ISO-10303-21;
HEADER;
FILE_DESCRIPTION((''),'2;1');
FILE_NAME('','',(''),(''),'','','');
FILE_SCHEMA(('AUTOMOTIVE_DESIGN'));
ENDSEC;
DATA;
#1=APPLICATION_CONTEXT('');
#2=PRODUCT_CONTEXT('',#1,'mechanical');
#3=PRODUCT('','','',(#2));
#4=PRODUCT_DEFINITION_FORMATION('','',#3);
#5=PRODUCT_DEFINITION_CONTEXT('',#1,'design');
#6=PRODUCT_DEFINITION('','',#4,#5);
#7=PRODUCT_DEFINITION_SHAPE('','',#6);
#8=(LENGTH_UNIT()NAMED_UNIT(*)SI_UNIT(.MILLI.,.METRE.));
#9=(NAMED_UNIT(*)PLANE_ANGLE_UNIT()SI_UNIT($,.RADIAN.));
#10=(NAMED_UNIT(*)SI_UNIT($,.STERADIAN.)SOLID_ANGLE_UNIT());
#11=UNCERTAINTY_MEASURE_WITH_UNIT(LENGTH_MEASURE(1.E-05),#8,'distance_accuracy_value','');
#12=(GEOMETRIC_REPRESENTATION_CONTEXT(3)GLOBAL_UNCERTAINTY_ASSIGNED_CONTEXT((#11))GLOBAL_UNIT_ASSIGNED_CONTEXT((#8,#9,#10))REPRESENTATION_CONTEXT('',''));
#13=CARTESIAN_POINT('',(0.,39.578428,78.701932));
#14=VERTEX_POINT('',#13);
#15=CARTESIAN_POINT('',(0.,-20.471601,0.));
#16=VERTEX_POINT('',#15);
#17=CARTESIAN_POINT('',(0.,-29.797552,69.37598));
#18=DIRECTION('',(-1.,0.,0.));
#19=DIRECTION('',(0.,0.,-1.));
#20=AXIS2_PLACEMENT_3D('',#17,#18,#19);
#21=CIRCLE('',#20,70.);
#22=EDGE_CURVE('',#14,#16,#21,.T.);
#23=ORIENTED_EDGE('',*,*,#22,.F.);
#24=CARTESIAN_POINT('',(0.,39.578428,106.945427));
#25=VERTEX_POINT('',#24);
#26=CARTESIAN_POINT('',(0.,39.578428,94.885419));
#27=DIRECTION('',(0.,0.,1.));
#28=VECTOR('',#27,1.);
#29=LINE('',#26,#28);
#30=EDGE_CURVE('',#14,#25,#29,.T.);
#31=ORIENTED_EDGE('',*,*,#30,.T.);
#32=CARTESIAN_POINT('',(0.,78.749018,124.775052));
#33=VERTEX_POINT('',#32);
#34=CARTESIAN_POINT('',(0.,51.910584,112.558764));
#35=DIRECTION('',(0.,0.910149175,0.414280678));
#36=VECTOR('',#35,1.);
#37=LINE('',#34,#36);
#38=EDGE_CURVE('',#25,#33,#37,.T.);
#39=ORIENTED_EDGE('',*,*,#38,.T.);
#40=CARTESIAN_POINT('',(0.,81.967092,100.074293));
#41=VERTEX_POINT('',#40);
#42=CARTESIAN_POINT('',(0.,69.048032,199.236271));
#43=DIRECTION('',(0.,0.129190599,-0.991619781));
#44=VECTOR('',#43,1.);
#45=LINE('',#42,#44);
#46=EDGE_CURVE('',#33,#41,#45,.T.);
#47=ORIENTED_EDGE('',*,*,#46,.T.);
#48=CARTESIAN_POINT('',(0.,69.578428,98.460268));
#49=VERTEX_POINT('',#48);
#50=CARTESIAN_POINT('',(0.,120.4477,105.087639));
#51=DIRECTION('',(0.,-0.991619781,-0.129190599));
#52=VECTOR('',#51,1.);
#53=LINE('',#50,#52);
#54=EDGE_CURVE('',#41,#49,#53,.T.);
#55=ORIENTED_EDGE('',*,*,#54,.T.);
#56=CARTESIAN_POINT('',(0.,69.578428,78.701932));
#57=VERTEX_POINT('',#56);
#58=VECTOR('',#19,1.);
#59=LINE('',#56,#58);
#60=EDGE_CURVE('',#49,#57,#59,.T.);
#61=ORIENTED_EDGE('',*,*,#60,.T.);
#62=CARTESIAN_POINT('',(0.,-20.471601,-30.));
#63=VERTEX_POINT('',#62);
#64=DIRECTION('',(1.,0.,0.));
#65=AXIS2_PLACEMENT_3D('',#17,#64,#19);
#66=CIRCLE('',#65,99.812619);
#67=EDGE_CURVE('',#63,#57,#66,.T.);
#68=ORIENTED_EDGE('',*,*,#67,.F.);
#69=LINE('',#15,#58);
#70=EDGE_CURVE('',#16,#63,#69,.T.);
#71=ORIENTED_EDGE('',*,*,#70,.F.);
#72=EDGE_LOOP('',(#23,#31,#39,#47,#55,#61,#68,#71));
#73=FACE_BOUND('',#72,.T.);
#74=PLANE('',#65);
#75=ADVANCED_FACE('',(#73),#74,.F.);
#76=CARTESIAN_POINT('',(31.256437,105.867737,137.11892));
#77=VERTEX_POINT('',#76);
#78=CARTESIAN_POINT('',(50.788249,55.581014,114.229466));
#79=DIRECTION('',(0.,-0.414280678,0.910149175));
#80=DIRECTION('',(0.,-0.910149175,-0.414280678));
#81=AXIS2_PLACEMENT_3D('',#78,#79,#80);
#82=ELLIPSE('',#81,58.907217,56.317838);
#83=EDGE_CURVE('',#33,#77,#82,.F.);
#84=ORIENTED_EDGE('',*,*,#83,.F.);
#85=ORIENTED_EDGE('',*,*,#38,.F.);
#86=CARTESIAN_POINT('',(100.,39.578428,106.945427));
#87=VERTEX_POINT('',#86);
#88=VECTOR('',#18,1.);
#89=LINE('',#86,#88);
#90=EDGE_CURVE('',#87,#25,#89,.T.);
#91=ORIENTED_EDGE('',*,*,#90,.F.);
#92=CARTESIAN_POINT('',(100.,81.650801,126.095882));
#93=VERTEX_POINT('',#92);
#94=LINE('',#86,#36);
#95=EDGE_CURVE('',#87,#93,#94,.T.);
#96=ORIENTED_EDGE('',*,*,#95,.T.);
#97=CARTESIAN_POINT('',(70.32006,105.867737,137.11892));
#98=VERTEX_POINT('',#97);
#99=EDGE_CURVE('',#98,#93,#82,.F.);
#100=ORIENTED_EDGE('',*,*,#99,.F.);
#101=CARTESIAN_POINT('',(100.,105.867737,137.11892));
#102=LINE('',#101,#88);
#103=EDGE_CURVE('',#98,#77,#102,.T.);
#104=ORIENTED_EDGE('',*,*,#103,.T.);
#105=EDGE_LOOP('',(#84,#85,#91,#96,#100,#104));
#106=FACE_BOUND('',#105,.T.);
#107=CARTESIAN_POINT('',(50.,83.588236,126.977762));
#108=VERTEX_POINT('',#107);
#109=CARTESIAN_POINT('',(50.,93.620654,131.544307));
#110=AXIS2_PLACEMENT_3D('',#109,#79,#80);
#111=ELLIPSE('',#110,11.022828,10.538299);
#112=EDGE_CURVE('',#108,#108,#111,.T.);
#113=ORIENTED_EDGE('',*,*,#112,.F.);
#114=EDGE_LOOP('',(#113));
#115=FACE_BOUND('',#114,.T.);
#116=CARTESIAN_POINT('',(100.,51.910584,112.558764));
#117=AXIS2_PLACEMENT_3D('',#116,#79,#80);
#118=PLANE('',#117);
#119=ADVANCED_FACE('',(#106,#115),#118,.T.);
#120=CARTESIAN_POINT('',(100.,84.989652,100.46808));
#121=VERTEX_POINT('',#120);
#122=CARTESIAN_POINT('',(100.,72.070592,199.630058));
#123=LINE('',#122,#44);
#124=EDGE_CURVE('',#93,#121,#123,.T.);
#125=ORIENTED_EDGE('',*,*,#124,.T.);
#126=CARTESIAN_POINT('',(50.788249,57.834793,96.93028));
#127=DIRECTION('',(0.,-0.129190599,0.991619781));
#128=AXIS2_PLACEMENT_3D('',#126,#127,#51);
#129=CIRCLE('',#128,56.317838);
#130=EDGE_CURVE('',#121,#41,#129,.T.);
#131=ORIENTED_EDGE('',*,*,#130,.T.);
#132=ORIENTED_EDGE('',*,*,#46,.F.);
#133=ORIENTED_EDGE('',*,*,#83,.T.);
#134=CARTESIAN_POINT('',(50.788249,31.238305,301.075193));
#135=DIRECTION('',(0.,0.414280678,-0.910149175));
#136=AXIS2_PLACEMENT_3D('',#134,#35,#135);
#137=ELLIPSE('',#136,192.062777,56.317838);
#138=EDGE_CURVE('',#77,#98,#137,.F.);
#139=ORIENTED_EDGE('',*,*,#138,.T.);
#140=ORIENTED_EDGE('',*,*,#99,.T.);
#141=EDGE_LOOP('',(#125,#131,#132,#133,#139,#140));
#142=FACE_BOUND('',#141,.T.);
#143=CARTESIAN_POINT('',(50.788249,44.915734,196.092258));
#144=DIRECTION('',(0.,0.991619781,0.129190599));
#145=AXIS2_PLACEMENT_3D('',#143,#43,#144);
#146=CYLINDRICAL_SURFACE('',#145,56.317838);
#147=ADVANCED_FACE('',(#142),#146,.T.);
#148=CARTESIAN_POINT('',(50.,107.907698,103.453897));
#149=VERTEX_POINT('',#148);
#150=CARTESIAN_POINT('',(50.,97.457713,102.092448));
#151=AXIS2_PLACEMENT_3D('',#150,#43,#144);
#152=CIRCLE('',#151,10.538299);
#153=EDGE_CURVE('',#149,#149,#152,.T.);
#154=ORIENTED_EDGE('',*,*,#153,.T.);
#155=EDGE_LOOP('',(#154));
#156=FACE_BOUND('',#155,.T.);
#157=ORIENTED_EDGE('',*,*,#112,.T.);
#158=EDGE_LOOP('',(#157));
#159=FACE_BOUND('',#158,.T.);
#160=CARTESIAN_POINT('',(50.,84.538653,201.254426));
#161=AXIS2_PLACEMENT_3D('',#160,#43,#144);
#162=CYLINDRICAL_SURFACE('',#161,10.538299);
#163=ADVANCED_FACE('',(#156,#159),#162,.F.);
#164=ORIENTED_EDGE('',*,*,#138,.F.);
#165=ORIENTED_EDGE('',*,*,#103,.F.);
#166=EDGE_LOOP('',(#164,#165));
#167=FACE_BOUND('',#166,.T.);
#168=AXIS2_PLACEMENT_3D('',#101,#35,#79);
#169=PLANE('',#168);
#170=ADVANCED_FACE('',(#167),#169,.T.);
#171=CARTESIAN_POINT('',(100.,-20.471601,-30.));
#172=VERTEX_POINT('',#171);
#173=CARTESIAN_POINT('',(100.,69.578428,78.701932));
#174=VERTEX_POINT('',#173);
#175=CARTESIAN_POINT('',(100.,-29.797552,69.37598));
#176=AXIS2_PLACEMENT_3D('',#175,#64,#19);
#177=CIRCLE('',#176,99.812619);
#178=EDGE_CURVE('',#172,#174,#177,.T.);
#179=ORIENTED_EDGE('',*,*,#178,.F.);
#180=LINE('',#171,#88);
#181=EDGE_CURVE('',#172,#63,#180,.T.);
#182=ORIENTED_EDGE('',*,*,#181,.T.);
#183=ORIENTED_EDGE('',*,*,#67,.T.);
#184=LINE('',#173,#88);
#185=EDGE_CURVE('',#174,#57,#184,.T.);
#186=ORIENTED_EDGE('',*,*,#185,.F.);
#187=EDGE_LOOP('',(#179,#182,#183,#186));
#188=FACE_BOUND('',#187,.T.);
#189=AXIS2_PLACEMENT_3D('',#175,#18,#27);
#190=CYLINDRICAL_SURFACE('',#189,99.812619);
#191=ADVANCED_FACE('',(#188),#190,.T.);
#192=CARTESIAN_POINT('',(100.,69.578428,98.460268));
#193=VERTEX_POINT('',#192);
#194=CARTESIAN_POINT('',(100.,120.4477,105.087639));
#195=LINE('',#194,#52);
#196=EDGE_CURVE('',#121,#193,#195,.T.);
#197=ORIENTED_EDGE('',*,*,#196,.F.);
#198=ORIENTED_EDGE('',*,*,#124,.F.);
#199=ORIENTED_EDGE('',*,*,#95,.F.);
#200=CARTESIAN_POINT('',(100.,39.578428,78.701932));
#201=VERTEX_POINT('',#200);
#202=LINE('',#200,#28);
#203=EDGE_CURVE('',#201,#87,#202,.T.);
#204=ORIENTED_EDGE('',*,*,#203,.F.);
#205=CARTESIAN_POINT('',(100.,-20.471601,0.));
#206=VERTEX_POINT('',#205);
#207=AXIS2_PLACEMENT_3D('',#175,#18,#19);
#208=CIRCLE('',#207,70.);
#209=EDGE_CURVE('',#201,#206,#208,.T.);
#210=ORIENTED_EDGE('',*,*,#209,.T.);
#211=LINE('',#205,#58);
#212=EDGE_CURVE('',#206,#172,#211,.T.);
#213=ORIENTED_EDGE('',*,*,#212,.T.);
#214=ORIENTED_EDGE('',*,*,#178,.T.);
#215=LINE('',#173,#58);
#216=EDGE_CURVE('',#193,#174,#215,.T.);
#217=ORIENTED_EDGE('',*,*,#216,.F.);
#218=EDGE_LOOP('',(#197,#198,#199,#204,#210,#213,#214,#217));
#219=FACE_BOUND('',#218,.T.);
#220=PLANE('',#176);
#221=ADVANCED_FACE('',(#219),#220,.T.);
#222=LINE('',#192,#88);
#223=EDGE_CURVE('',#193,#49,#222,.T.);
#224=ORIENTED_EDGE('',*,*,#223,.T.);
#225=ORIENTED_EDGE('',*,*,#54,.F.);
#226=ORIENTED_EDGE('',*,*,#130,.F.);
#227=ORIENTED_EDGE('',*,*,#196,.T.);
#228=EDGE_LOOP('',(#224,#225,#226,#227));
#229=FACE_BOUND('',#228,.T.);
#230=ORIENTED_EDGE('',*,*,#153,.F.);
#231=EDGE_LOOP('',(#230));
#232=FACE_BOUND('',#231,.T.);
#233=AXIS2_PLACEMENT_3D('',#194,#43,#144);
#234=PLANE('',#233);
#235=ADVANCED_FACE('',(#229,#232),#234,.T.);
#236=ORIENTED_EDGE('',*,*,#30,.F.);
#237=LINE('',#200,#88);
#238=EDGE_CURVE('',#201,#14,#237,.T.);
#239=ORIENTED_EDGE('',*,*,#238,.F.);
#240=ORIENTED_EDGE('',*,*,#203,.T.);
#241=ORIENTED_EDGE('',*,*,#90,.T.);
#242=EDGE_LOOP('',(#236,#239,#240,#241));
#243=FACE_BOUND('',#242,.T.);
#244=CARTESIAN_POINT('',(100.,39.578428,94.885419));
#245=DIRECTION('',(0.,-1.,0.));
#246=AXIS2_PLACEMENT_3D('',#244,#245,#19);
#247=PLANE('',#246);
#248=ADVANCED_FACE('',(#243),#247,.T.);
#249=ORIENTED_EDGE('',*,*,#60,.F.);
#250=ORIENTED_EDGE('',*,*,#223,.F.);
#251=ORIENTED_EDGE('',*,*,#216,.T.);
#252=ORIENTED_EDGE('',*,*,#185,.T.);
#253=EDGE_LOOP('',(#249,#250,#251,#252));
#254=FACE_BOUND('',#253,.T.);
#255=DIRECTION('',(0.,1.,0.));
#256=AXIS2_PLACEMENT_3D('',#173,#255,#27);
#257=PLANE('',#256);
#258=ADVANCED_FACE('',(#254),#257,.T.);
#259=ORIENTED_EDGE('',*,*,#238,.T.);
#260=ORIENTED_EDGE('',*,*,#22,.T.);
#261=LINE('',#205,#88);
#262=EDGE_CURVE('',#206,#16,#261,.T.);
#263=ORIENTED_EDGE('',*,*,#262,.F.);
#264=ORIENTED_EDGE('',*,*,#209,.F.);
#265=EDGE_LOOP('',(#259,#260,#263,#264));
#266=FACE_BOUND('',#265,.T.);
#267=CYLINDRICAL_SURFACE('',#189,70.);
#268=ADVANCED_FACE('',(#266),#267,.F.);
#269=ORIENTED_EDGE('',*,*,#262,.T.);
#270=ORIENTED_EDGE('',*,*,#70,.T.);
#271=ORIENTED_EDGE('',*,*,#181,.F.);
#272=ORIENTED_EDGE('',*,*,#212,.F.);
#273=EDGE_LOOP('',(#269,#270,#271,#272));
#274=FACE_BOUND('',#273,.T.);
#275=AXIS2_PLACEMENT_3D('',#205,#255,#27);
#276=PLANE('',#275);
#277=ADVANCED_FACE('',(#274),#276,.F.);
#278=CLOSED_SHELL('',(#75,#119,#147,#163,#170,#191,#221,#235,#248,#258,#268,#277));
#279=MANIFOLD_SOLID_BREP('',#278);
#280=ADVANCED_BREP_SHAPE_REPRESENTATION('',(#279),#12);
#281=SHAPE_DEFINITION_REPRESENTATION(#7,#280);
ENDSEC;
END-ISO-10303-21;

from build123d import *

# Parameters (mm, degrees)
BOSS_EXTRUDE1_DEPTH  = 100
BOSS_EXTRUDE15_DEPTH = 100
SKETCH12_R           = 10.538298665
CUT_EXTRUDE1_DEPTH   = 100
CUT_EXTRUDE4_DEPTH   = 100


with BuildPart() as part:
    # Sketch1 → Boss-Extrude1 (new body)
    with BuildSketch(Plane(origin=(0, 0, 0), x_dir=(0, 0, -1), z_dir=(1, 0, 0))):
        with BuildLine():
            Line((0, -20.471600717), (30, -20.471600717))
            ThreePointArc((30, -20.471600717), (-5.700994218, 47.06632084), (-78.701931645, 69.578428053))
            Line((-78.701931645, 69.578428053), (-78.701931645, 39.578428053))
            ThreePointArc((-78.701931645, 39.578428053), (-26.914197654, 25.853117404), (0, -20.471600717))
        make_face()
    extrude(amount=BOSS_EXTRUDE1_DEPTH)

    # 3DSketch6 → Boss-Extrude15 (add)
    with BuildSketch(Plane(origin=(100, 39.578428053, 78.701931645), x_dir=(0, 0.7502508437816612, 0.661153288886099), z_dir=(-1, 0, 0))):
        Polygon((0, 0), (10.699765669, -12.141674792), (18.673279749, -21.189706114), (31.636766263, -17.247671387), (88.356194396, 0), (78.117236691, 33.671085949), (35.570814657, 5.010889827), (22.507525313, 19.834598667), align=None)
    extrude(amount=BOSS_EXTRUDE15_DEPTH)

    # Sketch12 → Cut-Extrude1 (cut)
    with BuildSketch(Plane(origin=(0, -11.452264846, 87.90339576), x_dir=(-1, 0, 0), z_dir=(0, 0.12919059900394475, -0.9916197805252788))):
        with Locations(Location((-50, 109.830380232, 0), (0, 0, 90))):
            Circle(SKETCH12_R)
    extrude(amount=-CUT_EXTRUDE1_DEPTH, mode=Mode.SUBTRACT)

    # Sketch13 → Cut-Extrude4 (cut)
    with BuildSketch(Plane(origin=(0, -11.452264846, 87.90339576), x_dir=(-1, 0, 0), z_dir=(0, 0.12919059900394475, -0.9916197805252788))):
        with BuildLine():
            Line((-100, 97.256951485), (-100, 133.014656874))
            Line((-100, 133.014656874), (-100, 156.830890058))
            Line((-100, 156.830890058), (0, 160.198008755))
            Line((0, 160.198008755), (0, 133.014656874))
            Line((0, 133.014656874), (0, 94.208847546))
            ThreePointArc((0, 94.208847546), (-49.07241929, 126.164299771), (-100, 97.256951485))
        make_face()
    extrude(amount=-CUT_EXTRUDE4_DEPTH, mode=Mode.SUBTRACT)


solid = part.part
